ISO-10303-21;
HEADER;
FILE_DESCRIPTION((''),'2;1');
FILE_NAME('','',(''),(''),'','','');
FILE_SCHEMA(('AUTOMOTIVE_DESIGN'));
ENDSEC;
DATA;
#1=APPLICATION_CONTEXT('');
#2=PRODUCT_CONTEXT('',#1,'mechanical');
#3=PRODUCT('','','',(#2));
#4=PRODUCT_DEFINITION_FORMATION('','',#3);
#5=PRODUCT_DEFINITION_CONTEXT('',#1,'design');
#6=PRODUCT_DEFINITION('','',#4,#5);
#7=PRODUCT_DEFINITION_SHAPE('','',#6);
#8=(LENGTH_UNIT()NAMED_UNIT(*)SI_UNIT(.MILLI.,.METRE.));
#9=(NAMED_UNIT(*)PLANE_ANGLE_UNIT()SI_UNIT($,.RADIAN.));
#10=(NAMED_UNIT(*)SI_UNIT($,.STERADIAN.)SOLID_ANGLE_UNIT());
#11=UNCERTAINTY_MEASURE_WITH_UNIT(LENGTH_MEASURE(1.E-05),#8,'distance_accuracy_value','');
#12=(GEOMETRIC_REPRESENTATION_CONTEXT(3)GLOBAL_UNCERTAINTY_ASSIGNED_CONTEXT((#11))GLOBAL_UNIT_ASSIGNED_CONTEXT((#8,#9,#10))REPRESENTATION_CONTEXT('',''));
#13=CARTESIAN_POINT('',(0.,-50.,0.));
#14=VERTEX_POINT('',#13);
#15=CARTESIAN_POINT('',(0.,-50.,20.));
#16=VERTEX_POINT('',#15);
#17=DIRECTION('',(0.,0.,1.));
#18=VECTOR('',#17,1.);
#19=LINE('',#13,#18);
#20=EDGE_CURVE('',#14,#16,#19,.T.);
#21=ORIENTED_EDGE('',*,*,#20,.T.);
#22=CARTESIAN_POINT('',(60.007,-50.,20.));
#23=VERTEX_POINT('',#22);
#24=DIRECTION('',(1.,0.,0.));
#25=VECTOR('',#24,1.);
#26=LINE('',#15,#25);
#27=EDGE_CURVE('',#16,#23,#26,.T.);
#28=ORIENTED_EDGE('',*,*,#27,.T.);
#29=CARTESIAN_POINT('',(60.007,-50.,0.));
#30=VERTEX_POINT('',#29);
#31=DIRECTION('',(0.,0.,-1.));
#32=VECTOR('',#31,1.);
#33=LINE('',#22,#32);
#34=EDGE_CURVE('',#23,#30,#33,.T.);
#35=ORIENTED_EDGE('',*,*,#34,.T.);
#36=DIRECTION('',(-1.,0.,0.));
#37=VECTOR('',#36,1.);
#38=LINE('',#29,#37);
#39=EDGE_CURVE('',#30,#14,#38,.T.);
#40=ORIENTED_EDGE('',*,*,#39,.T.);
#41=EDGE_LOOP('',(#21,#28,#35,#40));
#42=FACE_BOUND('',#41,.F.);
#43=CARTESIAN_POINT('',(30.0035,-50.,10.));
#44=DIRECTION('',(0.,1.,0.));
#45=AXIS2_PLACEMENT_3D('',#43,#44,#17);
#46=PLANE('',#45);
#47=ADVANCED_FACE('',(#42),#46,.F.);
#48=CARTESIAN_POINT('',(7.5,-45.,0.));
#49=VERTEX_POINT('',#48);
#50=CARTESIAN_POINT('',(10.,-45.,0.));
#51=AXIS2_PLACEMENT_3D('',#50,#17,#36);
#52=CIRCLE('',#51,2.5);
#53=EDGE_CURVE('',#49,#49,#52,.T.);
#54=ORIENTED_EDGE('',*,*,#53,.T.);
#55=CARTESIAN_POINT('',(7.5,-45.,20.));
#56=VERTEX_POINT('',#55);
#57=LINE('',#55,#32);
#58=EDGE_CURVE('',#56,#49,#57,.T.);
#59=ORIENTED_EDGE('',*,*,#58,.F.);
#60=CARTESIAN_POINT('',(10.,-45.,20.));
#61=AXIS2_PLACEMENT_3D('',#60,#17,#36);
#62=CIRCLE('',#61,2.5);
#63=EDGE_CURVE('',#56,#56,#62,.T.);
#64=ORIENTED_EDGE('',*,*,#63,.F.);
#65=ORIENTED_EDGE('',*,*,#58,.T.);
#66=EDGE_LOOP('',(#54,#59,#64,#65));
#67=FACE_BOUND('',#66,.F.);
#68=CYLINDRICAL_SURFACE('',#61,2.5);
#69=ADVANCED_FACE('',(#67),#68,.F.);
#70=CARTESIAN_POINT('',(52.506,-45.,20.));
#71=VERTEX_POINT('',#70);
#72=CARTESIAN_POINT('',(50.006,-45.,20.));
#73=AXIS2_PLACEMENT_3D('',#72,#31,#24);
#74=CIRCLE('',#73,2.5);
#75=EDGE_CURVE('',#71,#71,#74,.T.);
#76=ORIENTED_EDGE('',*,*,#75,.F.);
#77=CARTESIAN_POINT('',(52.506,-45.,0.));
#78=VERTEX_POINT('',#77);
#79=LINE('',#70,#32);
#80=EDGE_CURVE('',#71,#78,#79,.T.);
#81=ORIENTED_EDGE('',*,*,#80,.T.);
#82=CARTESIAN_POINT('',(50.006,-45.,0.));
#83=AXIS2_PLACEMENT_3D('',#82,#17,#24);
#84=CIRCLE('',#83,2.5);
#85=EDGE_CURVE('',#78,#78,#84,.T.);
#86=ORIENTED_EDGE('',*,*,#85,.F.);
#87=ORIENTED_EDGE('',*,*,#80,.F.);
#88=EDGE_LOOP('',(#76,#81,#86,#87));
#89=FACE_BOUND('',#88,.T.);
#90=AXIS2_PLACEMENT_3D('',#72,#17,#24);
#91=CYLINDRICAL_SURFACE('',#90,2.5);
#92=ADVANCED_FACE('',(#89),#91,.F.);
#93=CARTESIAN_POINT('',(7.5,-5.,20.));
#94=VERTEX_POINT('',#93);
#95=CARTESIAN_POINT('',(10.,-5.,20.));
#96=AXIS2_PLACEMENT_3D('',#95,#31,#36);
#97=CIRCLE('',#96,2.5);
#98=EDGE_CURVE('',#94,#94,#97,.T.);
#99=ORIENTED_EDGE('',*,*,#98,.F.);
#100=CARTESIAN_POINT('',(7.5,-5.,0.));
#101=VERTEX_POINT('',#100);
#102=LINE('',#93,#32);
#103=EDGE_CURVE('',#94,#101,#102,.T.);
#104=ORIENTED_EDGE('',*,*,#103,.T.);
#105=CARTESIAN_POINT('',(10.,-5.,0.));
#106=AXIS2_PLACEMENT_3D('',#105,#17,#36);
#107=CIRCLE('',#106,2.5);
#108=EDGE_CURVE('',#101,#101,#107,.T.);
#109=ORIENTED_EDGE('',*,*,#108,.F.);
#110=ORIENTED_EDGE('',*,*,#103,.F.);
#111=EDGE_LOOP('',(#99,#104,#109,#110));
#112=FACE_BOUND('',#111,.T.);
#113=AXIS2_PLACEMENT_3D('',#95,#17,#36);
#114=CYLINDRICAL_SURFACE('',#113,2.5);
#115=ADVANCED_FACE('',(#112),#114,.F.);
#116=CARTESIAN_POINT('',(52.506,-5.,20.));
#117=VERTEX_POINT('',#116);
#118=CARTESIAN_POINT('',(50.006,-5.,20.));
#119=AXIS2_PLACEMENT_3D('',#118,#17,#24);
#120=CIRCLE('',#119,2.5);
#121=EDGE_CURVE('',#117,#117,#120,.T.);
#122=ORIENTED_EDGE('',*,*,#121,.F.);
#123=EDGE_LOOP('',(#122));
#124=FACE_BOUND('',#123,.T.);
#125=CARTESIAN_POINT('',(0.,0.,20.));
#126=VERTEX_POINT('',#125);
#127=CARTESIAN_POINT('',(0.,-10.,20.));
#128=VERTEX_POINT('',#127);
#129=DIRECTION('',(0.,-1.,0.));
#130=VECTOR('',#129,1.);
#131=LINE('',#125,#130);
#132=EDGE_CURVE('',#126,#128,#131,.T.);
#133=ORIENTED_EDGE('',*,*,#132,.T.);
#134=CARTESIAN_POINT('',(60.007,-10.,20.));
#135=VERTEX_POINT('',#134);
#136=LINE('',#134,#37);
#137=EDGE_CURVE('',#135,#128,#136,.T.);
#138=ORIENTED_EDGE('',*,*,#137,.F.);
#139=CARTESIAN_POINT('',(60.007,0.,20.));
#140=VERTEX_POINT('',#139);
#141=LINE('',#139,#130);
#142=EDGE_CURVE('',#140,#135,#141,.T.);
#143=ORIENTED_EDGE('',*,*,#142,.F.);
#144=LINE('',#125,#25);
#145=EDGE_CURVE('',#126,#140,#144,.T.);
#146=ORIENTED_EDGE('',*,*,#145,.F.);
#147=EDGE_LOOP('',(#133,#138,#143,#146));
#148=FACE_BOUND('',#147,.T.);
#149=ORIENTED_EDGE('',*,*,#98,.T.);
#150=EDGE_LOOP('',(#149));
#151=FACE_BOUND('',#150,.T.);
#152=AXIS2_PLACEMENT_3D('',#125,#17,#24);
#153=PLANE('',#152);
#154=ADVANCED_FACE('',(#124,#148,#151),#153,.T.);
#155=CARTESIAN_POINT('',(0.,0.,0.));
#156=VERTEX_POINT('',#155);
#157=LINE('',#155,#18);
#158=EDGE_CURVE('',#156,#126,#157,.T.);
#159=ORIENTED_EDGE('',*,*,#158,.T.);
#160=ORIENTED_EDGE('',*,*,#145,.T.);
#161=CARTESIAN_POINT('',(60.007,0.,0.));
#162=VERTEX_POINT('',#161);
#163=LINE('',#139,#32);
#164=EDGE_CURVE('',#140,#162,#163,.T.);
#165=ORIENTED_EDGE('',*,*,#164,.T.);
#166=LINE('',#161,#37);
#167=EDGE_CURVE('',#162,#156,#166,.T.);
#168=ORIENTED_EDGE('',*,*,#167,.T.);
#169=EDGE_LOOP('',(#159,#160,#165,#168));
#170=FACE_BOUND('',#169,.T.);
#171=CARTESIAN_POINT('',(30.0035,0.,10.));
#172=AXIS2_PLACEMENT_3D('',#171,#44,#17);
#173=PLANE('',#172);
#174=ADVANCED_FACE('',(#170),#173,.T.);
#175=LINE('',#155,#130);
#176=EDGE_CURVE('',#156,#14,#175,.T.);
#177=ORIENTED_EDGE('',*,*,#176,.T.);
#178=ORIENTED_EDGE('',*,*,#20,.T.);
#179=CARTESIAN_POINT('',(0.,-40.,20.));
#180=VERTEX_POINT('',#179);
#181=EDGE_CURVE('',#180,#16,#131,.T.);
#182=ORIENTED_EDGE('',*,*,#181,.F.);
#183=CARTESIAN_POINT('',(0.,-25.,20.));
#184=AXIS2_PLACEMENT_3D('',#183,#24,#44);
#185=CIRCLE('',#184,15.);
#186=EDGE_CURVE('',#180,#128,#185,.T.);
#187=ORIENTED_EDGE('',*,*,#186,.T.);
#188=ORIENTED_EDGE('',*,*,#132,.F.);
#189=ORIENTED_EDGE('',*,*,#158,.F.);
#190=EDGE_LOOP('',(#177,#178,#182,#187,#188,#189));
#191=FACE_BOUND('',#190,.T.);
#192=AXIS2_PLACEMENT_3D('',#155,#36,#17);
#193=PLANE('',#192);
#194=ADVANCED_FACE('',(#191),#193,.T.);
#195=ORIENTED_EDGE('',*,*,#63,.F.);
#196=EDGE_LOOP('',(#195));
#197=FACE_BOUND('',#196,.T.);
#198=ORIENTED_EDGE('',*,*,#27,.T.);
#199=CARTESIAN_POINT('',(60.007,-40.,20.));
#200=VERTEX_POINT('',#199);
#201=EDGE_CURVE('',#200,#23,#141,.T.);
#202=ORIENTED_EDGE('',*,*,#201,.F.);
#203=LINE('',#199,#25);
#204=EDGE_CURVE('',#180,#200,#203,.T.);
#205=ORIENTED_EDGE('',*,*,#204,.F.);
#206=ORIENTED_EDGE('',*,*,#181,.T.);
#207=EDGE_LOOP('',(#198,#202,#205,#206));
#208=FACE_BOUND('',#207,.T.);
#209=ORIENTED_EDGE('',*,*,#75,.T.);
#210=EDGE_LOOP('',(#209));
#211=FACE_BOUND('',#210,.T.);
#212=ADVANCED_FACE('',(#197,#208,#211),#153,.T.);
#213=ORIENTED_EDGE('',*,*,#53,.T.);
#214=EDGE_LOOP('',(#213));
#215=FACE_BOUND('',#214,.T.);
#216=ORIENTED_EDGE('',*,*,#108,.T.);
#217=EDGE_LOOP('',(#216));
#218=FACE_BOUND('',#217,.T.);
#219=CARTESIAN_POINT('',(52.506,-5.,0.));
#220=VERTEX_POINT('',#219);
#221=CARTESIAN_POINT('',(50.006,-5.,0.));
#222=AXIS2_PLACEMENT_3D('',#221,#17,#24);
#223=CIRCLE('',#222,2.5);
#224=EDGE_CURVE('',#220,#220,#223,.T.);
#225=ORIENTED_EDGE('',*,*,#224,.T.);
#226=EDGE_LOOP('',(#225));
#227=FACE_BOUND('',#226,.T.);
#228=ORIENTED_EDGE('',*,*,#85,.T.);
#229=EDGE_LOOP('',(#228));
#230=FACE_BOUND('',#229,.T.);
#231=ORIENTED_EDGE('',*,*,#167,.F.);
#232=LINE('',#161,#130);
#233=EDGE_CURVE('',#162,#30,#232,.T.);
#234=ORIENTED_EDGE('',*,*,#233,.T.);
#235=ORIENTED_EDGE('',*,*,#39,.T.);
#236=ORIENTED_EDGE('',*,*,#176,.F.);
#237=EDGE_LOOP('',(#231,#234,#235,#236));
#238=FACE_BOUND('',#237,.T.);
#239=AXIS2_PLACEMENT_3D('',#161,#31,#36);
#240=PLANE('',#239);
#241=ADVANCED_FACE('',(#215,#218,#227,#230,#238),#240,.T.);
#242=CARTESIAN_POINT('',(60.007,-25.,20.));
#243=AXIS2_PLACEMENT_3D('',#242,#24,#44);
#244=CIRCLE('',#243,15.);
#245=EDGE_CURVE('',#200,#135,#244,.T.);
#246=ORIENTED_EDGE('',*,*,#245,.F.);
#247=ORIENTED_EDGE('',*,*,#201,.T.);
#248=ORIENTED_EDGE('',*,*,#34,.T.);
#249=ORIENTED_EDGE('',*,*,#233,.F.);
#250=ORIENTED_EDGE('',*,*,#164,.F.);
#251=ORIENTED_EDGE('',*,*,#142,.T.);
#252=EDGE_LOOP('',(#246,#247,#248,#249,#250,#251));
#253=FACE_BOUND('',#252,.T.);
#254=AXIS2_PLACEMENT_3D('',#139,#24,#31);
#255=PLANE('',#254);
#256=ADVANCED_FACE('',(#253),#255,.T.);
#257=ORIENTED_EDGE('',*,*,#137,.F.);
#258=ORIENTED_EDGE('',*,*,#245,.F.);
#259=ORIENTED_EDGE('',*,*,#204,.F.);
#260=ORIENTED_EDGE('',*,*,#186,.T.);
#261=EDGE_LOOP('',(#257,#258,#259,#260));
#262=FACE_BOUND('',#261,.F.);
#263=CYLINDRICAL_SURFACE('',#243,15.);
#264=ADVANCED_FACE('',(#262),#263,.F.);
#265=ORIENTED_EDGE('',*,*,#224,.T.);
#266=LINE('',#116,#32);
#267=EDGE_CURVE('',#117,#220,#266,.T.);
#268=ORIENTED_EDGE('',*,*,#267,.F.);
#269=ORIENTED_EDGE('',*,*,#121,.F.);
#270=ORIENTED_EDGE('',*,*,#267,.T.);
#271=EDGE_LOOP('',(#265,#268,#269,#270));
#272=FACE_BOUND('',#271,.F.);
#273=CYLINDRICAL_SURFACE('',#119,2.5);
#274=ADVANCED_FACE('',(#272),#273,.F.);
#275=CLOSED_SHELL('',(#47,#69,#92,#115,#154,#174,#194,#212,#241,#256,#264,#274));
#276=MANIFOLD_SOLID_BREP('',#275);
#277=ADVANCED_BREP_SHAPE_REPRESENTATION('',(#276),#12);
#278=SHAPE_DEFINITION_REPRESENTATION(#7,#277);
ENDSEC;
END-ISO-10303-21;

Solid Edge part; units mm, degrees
sketch "Sketch1" plane through (0, 0, 0) normal (0, -1, 0) x (1, 0, 0)
  line L0 (60.007, 20) -> (60.007, 0)
  line L1 (60.007, 0) -> (0, 0)
  line L2 (0, 0) -> (0, 20)
  line L3 (0, 20) -> (60.007, 20)
extrude "Protrusion1" add sketch "Sketch1" along normal blind 50
sketch "Sketch2" plane through (60.007, -20, 10) normal (1, 0, 0) x (0, 1, 0)
  circle A0 centre (-5, 10) radius 15
extrude "ExtrudedCutout_1" cut sketch "Sketch2" against normal blind 100
sketch "Sketch3" plane through (30.0035, -45, 20) normal (0, 0, 1) x (-1, 0, 0)
  circle A0 centre (20.0035, 0) radius 2.5
extrude "Cutout1" cut sketch "Sketch3" against normal blind 100
mirror "Mirror1" about plane through (30.003, -25, 10) normal (-1, 0, 0) of "Cutout1"
mirror "Mirror2" about plane through (30.0035, -25, 10) normal (0, 1, 0) of "Cutout1", "Mirror1"
